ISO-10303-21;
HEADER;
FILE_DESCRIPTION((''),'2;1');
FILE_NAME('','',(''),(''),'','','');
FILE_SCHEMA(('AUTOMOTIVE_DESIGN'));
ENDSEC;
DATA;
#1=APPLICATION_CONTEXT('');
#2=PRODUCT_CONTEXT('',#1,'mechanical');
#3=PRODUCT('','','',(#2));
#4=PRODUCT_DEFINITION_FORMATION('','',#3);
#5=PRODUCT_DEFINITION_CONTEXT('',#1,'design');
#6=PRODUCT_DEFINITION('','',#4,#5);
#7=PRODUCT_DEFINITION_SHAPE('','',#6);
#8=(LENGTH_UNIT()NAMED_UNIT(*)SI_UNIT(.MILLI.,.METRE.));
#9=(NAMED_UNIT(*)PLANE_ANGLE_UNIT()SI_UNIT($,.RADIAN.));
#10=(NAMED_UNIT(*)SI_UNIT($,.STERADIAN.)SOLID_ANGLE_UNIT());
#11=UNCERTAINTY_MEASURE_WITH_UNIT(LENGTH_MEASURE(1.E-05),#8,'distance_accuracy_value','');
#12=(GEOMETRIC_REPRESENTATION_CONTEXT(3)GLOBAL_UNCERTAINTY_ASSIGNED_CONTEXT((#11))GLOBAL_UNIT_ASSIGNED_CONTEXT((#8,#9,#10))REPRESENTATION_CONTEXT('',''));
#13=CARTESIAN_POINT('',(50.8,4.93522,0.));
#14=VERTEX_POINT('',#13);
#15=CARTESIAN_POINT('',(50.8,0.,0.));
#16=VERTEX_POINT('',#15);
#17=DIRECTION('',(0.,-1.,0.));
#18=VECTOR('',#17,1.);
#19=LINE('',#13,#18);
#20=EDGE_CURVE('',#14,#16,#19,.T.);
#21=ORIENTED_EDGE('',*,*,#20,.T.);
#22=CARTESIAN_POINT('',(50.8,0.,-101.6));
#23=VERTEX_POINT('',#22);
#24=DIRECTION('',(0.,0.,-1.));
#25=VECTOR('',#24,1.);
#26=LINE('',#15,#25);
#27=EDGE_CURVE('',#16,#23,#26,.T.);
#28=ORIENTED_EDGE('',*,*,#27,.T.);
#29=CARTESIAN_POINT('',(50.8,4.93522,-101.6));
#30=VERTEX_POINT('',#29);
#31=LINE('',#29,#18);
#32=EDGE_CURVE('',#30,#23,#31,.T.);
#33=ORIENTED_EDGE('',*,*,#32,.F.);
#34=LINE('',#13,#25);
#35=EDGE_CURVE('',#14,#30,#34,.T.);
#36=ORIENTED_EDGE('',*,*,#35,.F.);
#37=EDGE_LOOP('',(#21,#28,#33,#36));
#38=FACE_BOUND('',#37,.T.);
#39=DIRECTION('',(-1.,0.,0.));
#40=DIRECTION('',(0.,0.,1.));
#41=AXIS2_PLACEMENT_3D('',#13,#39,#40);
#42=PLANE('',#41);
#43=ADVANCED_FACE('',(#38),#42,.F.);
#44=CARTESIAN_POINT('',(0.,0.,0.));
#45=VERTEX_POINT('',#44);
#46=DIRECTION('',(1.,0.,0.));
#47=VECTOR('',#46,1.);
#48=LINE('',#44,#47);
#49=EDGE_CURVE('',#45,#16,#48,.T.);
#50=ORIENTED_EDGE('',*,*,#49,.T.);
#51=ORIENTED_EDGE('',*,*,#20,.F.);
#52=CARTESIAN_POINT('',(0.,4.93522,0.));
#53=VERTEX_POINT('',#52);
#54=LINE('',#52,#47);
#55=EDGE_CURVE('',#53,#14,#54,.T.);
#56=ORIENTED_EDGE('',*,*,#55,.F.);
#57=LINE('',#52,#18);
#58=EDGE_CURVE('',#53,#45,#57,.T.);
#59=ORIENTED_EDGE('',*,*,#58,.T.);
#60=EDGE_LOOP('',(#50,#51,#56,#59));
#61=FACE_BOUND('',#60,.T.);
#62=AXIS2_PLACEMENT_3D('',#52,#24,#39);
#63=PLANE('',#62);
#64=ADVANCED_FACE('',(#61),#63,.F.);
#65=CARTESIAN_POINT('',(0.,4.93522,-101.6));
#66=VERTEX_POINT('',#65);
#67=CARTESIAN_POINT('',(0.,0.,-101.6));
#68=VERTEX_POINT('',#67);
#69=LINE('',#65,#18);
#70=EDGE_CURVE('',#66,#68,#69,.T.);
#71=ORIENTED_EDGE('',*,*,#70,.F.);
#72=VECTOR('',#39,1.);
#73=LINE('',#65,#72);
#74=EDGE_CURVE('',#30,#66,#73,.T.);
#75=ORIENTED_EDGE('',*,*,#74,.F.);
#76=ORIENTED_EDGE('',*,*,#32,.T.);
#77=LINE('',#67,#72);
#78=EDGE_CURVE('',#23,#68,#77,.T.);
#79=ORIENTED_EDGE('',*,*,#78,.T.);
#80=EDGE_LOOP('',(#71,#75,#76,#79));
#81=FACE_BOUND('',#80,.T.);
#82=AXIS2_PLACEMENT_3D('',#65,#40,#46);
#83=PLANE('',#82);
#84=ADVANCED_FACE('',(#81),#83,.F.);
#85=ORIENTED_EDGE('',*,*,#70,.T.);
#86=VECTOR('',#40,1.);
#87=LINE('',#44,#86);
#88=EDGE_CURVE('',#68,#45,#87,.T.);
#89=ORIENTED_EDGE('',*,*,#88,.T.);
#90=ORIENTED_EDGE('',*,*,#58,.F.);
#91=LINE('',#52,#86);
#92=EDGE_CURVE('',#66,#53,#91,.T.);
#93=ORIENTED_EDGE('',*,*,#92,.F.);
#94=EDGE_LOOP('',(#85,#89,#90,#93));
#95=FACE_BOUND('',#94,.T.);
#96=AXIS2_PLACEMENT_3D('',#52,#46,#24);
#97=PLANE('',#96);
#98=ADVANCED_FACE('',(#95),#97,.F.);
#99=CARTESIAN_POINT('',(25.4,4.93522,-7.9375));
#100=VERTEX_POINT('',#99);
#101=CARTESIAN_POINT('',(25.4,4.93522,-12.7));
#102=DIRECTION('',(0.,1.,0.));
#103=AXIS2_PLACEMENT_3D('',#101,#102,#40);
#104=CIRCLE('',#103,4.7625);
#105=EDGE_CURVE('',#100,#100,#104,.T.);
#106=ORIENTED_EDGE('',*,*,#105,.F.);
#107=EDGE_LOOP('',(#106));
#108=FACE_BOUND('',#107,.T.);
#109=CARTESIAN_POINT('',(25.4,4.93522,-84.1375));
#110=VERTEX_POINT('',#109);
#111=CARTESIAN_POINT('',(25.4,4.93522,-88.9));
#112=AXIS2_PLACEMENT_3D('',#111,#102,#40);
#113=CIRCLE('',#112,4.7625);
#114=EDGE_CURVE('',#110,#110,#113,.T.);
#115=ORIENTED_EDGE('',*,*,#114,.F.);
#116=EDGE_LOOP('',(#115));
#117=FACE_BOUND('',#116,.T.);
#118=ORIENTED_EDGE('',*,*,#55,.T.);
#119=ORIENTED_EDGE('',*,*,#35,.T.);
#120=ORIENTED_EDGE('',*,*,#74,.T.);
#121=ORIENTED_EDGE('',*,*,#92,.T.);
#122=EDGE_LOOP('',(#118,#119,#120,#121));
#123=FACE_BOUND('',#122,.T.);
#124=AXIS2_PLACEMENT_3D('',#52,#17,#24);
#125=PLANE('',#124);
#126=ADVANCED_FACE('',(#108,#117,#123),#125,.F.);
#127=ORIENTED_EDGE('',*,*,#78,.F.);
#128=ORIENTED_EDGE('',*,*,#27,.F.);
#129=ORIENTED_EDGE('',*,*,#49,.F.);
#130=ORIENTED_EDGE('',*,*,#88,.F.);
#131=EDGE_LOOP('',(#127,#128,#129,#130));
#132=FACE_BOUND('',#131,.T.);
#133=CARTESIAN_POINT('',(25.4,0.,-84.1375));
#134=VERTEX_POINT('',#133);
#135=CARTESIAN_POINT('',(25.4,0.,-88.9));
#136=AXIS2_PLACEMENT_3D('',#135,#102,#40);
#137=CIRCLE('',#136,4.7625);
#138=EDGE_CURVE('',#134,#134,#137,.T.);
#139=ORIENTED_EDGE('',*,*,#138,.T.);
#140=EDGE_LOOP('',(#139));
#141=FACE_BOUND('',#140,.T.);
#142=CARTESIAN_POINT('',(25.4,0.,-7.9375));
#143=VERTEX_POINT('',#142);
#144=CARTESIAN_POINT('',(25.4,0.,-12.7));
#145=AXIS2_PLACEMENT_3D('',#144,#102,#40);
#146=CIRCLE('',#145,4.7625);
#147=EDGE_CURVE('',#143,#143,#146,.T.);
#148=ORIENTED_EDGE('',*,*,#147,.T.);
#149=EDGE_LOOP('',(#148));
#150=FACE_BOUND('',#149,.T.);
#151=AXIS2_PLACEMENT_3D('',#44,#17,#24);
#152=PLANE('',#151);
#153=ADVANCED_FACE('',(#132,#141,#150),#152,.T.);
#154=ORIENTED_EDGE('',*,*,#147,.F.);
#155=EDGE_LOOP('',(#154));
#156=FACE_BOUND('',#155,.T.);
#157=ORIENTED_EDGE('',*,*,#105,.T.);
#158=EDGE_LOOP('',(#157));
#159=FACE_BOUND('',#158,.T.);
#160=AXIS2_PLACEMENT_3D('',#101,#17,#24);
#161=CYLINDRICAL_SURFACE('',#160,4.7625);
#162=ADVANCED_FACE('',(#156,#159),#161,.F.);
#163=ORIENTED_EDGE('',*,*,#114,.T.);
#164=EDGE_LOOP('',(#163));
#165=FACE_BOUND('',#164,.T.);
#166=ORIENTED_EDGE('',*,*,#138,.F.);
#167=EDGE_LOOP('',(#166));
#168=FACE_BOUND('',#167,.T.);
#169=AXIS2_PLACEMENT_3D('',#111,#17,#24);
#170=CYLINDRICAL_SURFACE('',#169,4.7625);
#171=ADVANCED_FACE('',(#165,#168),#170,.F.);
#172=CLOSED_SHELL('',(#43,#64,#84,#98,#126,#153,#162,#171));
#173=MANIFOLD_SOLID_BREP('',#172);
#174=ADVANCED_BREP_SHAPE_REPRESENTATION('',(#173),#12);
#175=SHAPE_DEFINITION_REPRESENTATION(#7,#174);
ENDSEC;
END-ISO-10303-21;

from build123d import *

# Parameters (mm, degrees)
SKETCH1_W    = 50.8
SKETCH1_H    = 101.6
SKETCH1_R    = 4.7625
HAMMER_DEPTH = 4.93522


with BuildPart() as part:
    # Sketch1 → Hammer (new body)
    with BuildSketch(Plane(origin=(0, 0, 0), x_dir=(1, 0, 0), z_dir=(0, 1, 0))):
        with Locations((25.4, 50.8)):
            Rectangle(SKETCH1_W, SKETCH1_H)
        with Locations((25.4, 12.7)):
            Circle(SKETCH1_R, mode=Mode.SUBTRACT)
        with Locations((25.4, 88.9)):
            Circle(SKETCH1_R, mode=Mode.SUBTRACT)
    extrude(amount=HAMMER_DEPTH)


solid = part.part
